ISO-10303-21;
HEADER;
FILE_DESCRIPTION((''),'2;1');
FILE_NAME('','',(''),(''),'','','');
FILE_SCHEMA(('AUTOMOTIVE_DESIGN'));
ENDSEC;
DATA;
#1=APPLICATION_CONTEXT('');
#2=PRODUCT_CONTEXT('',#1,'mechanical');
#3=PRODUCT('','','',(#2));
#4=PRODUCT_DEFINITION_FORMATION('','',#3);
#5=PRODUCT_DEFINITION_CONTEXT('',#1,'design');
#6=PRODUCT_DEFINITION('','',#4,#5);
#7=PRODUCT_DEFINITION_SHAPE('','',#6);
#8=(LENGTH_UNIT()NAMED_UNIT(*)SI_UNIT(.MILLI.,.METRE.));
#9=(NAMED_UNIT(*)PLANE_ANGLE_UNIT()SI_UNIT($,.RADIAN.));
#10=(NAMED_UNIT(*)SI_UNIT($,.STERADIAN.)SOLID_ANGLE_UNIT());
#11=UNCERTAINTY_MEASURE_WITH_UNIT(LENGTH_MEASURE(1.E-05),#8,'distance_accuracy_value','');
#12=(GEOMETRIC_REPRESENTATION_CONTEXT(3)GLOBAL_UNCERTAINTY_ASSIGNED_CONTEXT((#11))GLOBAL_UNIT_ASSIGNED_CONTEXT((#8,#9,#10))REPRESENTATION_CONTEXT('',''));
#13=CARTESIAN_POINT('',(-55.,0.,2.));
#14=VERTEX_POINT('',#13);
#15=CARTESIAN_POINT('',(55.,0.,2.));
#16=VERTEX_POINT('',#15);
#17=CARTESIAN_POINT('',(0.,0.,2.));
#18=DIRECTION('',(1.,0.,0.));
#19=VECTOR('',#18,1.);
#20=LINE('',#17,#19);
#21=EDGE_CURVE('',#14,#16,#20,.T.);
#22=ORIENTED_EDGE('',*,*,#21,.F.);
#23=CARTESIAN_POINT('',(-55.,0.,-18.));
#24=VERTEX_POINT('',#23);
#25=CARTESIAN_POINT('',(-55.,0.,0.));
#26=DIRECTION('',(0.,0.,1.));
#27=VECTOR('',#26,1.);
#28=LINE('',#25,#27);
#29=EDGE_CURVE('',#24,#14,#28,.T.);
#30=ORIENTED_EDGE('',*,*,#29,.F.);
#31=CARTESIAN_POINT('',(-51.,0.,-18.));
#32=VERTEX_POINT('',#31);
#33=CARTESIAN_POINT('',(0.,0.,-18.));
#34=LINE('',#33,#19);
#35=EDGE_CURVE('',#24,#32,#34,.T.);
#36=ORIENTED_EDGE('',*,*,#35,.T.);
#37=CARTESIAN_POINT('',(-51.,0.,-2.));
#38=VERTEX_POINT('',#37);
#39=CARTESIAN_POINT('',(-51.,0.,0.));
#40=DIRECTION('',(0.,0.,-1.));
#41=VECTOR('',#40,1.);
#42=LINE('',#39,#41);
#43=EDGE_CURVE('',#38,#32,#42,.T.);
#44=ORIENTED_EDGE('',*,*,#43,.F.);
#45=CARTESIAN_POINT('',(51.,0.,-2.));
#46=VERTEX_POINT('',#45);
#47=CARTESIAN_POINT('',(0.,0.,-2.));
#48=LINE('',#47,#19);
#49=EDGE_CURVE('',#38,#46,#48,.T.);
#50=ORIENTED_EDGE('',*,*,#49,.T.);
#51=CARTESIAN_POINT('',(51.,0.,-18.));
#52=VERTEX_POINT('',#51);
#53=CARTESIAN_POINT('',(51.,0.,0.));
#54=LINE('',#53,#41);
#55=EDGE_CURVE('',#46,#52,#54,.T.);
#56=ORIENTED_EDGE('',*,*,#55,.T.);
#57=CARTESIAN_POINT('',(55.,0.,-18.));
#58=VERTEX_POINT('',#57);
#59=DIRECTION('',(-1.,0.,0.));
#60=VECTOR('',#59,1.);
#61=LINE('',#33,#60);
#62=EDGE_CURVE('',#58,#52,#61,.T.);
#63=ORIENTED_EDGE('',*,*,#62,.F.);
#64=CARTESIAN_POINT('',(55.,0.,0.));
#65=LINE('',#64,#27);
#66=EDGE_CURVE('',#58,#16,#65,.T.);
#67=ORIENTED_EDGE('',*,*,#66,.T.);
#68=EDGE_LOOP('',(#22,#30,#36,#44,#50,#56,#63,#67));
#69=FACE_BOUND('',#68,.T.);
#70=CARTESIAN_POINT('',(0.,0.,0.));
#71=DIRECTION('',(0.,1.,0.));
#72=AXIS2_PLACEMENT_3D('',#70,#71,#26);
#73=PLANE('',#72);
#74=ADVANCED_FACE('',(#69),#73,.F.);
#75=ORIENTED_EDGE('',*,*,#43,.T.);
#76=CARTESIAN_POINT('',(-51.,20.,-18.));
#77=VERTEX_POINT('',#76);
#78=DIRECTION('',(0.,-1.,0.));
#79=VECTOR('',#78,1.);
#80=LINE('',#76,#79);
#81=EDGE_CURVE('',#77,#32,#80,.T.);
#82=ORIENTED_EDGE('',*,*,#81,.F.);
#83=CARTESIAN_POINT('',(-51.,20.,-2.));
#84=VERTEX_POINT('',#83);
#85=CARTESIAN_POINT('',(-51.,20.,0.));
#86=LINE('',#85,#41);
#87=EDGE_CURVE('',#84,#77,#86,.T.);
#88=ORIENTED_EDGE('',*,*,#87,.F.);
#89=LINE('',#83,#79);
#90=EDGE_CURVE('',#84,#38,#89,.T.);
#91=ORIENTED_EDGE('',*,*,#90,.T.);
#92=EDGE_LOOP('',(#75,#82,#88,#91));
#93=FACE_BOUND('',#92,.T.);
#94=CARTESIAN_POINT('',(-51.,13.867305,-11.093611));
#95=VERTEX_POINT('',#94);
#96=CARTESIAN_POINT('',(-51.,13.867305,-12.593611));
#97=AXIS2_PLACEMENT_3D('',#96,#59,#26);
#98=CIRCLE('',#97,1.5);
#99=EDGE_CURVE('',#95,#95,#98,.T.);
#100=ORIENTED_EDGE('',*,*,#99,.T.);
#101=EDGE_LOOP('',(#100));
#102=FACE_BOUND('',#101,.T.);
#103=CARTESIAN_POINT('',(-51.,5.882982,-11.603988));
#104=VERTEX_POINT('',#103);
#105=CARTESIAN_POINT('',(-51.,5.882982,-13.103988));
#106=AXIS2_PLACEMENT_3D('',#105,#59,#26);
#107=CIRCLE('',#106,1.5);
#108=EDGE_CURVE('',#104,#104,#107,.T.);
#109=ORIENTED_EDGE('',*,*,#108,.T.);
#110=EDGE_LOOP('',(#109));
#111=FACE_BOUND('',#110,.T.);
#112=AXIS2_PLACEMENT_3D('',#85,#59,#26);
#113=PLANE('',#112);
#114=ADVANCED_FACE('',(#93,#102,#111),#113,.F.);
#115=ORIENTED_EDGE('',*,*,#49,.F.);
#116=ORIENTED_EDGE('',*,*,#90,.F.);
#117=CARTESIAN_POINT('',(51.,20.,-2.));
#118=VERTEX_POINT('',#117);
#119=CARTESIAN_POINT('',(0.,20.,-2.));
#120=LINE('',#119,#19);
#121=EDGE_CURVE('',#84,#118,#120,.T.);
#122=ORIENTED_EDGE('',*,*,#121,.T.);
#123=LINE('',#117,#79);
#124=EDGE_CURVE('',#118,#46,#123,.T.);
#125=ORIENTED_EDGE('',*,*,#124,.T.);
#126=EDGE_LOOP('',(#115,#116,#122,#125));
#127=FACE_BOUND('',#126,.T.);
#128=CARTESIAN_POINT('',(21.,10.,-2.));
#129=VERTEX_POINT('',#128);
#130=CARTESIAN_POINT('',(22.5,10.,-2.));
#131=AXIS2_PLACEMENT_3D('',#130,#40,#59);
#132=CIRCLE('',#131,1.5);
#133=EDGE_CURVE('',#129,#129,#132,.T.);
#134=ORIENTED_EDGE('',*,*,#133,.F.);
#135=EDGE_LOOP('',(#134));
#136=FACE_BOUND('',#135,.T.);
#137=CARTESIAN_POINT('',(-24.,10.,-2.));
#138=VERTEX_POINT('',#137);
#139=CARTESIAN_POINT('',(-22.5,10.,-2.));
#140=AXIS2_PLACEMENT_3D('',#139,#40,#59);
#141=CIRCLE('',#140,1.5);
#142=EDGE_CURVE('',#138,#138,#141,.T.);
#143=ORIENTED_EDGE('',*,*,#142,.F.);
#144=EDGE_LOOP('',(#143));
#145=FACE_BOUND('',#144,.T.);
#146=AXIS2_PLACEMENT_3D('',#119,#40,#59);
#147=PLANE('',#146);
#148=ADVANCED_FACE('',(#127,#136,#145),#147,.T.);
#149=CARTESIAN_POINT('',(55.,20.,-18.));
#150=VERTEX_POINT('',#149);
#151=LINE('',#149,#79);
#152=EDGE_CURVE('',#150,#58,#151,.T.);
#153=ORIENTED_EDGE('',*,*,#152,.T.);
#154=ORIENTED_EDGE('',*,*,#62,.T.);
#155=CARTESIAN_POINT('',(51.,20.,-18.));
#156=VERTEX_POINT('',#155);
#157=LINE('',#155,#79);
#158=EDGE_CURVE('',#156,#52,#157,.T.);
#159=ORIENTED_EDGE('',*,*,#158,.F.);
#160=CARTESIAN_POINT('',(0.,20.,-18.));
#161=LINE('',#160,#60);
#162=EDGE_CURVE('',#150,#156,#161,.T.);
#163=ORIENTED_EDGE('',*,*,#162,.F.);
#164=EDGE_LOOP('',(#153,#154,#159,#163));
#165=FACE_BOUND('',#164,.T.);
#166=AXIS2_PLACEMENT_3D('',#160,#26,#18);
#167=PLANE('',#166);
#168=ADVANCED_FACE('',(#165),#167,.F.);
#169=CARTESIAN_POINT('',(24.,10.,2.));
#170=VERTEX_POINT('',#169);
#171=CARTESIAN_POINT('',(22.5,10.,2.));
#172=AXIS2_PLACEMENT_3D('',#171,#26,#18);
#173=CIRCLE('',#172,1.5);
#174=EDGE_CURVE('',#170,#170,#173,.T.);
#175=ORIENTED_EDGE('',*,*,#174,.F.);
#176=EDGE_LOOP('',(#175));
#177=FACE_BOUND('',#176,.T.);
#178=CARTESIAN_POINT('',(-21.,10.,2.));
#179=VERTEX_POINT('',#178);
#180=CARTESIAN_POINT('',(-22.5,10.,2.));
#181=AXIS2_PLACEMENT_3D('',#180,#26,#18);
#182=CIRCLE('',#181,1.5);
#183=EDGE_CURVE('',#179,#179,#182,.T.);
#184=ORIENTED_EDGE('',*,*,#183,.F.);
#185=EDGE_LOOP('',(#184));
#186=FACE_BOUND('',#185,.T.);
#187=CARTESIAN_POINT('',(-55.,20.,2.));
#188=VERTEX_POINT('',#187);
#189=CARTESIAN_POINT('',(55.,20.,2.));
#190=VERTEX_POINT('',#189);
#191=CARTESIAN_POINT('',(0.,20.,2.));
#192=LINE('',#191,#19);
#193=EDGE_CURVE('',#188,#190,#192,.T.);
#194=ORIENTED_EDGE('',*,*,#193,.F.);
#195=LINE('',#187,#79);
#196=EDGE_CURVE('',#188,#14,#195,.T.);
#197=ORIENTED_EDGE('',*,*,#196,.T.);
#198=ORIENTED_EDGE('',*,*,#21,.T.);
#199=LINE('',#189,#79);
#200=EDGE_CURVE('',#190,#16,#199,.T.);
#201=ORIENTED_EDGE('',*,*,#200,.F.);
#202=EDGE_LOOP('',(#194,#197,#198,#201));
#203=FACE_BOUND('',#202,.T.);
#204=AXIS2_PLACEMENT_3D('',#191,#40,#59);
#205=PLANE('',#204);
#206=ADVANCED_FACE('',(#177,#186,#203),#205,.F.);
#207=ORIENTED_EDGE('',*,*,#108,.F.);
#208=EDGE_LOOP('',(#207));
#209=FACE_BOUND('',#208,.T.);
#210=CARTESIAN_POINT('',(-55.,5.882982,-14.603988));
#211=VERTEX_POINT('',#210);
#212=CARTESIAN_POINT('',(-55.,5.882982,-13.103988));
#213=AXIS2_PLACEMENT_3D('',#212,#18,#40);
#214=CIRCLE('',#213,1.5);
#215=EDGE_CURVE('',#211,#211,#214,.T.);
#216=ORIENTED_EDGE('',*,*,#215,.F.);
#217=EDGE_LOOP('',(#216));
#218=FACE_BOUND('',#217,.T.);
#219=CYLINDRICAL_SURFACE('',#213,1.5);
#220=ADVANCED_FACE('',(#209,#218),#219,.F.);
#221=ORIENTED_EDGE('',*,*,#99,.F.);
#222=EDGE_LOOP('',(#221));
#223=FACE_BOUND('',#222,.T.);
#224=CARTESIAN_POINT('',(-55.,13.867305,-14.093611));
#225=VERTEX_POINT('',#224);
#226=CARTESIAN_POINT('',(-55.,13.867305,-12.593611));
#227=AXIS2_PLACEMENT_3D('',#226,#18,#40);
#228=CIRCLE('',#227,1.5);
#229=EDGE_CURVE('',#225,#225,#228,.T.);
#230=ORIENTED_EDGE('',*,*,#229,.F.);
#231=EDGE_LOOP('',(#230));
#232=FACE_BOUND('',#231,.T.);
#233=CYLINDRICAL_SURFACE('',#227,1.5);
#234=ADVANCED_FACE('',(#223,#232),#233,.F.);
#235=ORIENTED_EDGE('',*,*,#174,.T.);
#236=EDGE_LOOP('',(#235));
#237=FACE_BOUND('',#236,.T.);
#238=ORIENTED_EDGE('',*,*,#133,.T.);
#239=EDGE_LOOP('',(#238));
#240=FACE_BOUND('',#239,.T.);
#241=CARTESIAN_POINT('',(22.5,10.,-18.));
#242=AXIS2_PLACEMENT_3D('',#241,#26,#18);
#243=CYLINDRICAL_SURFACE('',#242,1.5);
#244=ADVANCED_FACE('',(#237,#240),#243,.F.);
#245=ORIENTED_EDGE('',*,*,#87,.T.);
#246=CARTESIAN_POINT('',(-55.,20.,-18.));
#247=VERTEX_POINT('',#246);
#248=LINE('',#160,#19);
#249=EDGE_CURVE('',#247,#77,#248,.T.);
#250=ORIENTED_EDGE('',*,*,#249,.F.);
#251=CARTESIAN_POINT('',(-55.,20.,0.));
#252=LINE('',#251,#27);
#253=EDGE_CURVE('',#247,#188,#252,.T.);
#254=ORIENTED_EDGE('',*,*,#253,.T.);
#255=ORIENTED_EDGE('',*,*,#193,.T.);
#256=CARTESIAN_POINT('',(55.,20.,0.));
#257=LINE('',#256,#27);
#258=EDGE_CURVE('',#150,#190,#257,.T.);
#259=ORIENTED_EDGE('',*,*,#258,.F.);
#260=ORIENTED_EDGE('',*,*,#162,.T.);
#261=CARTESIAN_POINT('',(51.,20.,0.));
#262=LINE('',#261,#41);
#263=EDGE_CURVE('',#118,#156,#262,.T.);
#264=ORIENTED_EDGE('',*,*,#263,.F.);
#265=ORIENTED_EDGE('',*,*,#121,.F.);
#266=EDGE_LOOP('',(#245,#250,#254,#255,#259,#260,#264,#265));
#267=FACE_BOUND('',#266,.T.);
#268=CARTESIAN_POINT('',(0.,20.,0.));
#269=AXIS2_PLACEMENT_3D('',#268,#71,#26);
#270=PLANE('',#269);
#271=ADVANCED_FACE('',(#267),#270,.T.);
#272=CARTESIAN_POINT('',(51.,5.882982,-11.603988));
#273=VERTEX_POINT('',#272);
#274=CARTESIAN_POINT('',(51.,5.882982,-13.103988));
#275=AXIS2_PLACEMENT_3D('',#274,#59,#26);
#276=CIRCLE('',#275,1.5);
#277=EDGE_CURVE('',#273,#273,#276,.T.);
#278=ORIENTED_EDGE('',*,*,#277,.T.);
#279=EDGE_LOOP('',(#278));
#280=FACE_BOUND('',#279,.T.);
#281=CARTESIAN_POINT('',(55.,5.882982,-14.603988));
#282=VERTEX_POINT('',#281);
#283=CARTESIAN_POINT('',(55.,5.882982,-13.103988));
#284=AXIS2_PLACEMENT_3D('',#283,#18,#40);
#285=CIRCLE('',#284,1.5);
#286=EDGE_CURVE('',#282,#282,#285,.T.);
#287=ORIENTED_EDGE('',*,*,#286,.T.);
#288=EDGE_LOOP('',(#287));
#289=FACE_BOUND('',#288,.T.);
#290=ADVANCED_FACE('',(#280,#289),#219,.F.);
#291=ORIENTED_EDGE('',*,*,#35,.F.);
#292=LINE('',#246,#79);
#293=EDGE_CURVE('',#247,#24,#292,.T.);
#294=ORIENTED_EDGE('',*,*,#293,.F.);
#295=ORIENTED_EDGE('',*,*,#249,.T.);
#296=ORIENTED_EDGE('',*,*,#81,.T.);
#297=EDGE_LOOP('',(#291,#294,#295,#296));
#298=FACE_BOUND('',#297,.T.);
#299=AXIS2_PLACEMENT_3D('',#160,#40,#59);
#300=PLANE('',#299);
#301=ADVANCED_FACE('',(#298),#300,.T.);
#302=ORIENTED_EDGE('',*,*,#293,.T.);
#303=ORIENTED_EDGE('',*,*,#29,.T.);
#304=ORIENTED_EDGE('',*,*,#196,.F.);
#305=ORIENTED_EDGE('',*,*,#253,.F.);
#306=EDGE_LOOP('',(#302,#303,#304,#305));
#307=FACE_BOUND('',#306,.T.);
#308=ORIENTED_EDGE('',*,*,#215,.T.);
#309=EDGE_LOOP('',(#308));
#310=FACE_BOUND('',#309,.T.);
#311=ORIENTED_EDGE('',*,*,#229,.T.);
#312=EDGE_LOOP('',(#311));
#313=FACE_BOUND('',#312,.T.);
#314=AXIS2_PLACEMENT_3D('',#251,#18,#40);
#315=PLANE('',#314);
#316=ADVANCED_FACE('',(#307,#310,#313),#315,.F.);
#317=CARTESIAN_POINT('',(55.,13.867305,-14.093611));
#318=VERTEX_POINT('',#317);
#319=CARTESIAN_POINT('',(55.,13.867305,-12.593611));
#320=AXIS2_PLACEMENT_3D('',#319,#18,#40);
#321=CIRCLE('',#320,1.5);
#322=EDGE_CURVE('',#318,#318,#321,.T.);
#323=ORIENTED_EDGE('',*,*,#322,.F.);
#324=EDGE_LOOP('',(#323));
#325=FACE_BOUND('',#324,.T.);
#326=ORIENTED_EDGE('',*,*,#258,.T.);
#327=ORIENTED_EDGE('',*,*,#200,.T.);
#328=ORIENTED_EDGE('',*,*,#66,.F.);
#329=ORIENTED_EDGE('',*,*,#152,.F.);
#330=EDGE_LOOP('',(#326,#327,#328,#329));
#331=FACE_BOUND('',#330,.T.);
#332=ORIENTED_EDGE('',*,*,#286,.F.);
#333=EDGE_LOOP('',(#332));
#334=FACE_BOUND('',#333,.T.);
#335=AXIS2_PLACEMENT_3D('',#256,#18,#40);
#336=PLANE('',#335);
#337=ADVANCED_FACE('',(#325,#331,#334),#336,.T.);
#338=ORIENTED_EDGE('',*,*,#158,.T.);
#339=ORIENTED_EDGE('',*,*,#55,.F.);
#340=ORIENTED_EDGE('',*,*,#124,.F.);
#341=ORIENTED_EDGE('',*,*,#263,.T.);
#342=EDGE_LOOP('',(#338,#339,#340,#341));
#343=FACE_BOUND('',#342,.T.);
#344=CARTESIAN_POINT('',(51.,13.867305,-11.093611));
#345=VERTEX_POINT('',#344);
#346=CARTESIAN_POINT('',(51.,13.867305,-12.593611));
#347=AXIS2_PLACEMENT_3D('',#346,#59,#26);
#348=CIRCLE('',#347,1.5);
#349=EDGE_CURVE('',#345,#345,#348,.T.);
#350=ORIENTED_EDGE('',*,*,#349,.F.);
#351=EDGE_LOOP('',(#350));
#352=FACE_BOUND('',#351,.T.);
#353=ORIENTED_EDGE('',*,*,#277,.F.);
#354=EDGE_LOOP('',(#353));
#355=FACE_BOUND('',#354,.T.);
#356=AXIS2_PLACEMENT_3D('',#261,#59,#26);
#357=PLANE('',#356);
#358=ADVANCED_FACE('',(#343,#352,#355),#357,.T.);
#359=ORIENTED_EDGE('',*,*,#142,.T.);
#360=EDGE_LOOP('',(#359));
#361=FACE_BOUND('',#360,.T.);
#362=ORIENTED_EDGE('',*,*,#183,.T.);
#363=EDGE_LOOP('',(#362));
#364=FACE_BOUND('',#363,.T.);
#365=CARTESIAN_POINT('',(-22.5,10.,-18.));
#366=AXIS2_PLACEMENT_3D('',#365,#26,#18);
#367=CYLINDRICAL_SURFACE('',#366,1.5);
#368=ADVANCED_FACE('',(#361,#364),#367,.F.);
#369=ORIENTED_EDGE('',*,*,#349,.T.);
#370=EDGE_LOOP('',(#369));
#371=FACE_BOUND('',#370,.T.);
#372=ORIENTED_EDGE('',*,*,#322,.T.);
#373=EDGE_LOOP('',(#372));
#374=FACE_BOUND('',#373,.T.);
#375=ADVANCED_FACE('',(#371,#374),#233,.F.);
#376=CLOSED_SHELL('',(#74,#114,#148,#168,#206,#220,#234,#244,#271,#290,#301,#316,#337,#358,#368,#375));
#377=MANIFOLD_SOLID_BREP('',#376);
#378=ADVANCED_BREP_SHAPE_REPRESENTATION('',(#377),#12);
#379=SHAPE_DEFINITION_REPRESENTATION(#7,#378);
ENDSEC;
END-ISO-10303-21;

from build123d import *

# Parameters (mm, degrees)
SKETCH1_W           = 110
SKETCH1_H           = 4
SKETCH1_W_2         = 4
SKETCH1_H_2         = 16
BOSS_EXTRUDE1_DEPTH = 20
SKETCH2_R           = 1.5
CUT_EXTRUDE1_DEPTH  = 114.243101335
SKETCH3_R           = 1.5
CUT_EXTRUDE2_DEPTH  = 62.846584384


with BuildPart() as part:
    # Sketch1 → Boss-Extrude1 (new body)
    with BuildSketch(Plane(origin=(0, 0, 0), x_dir=(1, 0, 0), z_dir=(0, 1, 0))):
        Rectangle(SKETCH1_W, SKETCH1_H)
        with Locations((-53, 10)):
            Rectangle(SKETCH1_W_2, SKETCH1_H_2)
        with Locations((53, 10)):
            Rectangle(SKETCH1_W_2, SKETCH1_H_2)
    extrude(amount=BOSS_EXTRUDE1_DEPTH)

    # Sketch2 → Cut-Extrude1 (cut, through all)
    with BuildSketch(Plane(origin=(55, 0, 0), x_dir=(0, 0, -1), z_dir=(1, 0, 0))):
        with Locations((12.593610515, 13.86730529)):
            Circle(SKETCH2_R)
        with Locations((13.103987848, 5.882981905)):
            Circle(SKETCH2_R)
    extrude(amount=-CUT_EXTRUDE1_DEPTH, mode=Mode.SUBTRACT)

    # Sketch3 → Cut-Extrude2 (cut, through all)
    with BuildSketch(Plane.XY.offset(2)):
        with Locations((22.5, 10)):
            Circle(SKETCH3_R)
        with Locations((-22.5, 10)):
            Circle(SKETCH3_R)
    extrude(amount=-CUT_EXTRUDE2_DEPTH, mode=Mode.SUBTRACT)


solid = part.part
